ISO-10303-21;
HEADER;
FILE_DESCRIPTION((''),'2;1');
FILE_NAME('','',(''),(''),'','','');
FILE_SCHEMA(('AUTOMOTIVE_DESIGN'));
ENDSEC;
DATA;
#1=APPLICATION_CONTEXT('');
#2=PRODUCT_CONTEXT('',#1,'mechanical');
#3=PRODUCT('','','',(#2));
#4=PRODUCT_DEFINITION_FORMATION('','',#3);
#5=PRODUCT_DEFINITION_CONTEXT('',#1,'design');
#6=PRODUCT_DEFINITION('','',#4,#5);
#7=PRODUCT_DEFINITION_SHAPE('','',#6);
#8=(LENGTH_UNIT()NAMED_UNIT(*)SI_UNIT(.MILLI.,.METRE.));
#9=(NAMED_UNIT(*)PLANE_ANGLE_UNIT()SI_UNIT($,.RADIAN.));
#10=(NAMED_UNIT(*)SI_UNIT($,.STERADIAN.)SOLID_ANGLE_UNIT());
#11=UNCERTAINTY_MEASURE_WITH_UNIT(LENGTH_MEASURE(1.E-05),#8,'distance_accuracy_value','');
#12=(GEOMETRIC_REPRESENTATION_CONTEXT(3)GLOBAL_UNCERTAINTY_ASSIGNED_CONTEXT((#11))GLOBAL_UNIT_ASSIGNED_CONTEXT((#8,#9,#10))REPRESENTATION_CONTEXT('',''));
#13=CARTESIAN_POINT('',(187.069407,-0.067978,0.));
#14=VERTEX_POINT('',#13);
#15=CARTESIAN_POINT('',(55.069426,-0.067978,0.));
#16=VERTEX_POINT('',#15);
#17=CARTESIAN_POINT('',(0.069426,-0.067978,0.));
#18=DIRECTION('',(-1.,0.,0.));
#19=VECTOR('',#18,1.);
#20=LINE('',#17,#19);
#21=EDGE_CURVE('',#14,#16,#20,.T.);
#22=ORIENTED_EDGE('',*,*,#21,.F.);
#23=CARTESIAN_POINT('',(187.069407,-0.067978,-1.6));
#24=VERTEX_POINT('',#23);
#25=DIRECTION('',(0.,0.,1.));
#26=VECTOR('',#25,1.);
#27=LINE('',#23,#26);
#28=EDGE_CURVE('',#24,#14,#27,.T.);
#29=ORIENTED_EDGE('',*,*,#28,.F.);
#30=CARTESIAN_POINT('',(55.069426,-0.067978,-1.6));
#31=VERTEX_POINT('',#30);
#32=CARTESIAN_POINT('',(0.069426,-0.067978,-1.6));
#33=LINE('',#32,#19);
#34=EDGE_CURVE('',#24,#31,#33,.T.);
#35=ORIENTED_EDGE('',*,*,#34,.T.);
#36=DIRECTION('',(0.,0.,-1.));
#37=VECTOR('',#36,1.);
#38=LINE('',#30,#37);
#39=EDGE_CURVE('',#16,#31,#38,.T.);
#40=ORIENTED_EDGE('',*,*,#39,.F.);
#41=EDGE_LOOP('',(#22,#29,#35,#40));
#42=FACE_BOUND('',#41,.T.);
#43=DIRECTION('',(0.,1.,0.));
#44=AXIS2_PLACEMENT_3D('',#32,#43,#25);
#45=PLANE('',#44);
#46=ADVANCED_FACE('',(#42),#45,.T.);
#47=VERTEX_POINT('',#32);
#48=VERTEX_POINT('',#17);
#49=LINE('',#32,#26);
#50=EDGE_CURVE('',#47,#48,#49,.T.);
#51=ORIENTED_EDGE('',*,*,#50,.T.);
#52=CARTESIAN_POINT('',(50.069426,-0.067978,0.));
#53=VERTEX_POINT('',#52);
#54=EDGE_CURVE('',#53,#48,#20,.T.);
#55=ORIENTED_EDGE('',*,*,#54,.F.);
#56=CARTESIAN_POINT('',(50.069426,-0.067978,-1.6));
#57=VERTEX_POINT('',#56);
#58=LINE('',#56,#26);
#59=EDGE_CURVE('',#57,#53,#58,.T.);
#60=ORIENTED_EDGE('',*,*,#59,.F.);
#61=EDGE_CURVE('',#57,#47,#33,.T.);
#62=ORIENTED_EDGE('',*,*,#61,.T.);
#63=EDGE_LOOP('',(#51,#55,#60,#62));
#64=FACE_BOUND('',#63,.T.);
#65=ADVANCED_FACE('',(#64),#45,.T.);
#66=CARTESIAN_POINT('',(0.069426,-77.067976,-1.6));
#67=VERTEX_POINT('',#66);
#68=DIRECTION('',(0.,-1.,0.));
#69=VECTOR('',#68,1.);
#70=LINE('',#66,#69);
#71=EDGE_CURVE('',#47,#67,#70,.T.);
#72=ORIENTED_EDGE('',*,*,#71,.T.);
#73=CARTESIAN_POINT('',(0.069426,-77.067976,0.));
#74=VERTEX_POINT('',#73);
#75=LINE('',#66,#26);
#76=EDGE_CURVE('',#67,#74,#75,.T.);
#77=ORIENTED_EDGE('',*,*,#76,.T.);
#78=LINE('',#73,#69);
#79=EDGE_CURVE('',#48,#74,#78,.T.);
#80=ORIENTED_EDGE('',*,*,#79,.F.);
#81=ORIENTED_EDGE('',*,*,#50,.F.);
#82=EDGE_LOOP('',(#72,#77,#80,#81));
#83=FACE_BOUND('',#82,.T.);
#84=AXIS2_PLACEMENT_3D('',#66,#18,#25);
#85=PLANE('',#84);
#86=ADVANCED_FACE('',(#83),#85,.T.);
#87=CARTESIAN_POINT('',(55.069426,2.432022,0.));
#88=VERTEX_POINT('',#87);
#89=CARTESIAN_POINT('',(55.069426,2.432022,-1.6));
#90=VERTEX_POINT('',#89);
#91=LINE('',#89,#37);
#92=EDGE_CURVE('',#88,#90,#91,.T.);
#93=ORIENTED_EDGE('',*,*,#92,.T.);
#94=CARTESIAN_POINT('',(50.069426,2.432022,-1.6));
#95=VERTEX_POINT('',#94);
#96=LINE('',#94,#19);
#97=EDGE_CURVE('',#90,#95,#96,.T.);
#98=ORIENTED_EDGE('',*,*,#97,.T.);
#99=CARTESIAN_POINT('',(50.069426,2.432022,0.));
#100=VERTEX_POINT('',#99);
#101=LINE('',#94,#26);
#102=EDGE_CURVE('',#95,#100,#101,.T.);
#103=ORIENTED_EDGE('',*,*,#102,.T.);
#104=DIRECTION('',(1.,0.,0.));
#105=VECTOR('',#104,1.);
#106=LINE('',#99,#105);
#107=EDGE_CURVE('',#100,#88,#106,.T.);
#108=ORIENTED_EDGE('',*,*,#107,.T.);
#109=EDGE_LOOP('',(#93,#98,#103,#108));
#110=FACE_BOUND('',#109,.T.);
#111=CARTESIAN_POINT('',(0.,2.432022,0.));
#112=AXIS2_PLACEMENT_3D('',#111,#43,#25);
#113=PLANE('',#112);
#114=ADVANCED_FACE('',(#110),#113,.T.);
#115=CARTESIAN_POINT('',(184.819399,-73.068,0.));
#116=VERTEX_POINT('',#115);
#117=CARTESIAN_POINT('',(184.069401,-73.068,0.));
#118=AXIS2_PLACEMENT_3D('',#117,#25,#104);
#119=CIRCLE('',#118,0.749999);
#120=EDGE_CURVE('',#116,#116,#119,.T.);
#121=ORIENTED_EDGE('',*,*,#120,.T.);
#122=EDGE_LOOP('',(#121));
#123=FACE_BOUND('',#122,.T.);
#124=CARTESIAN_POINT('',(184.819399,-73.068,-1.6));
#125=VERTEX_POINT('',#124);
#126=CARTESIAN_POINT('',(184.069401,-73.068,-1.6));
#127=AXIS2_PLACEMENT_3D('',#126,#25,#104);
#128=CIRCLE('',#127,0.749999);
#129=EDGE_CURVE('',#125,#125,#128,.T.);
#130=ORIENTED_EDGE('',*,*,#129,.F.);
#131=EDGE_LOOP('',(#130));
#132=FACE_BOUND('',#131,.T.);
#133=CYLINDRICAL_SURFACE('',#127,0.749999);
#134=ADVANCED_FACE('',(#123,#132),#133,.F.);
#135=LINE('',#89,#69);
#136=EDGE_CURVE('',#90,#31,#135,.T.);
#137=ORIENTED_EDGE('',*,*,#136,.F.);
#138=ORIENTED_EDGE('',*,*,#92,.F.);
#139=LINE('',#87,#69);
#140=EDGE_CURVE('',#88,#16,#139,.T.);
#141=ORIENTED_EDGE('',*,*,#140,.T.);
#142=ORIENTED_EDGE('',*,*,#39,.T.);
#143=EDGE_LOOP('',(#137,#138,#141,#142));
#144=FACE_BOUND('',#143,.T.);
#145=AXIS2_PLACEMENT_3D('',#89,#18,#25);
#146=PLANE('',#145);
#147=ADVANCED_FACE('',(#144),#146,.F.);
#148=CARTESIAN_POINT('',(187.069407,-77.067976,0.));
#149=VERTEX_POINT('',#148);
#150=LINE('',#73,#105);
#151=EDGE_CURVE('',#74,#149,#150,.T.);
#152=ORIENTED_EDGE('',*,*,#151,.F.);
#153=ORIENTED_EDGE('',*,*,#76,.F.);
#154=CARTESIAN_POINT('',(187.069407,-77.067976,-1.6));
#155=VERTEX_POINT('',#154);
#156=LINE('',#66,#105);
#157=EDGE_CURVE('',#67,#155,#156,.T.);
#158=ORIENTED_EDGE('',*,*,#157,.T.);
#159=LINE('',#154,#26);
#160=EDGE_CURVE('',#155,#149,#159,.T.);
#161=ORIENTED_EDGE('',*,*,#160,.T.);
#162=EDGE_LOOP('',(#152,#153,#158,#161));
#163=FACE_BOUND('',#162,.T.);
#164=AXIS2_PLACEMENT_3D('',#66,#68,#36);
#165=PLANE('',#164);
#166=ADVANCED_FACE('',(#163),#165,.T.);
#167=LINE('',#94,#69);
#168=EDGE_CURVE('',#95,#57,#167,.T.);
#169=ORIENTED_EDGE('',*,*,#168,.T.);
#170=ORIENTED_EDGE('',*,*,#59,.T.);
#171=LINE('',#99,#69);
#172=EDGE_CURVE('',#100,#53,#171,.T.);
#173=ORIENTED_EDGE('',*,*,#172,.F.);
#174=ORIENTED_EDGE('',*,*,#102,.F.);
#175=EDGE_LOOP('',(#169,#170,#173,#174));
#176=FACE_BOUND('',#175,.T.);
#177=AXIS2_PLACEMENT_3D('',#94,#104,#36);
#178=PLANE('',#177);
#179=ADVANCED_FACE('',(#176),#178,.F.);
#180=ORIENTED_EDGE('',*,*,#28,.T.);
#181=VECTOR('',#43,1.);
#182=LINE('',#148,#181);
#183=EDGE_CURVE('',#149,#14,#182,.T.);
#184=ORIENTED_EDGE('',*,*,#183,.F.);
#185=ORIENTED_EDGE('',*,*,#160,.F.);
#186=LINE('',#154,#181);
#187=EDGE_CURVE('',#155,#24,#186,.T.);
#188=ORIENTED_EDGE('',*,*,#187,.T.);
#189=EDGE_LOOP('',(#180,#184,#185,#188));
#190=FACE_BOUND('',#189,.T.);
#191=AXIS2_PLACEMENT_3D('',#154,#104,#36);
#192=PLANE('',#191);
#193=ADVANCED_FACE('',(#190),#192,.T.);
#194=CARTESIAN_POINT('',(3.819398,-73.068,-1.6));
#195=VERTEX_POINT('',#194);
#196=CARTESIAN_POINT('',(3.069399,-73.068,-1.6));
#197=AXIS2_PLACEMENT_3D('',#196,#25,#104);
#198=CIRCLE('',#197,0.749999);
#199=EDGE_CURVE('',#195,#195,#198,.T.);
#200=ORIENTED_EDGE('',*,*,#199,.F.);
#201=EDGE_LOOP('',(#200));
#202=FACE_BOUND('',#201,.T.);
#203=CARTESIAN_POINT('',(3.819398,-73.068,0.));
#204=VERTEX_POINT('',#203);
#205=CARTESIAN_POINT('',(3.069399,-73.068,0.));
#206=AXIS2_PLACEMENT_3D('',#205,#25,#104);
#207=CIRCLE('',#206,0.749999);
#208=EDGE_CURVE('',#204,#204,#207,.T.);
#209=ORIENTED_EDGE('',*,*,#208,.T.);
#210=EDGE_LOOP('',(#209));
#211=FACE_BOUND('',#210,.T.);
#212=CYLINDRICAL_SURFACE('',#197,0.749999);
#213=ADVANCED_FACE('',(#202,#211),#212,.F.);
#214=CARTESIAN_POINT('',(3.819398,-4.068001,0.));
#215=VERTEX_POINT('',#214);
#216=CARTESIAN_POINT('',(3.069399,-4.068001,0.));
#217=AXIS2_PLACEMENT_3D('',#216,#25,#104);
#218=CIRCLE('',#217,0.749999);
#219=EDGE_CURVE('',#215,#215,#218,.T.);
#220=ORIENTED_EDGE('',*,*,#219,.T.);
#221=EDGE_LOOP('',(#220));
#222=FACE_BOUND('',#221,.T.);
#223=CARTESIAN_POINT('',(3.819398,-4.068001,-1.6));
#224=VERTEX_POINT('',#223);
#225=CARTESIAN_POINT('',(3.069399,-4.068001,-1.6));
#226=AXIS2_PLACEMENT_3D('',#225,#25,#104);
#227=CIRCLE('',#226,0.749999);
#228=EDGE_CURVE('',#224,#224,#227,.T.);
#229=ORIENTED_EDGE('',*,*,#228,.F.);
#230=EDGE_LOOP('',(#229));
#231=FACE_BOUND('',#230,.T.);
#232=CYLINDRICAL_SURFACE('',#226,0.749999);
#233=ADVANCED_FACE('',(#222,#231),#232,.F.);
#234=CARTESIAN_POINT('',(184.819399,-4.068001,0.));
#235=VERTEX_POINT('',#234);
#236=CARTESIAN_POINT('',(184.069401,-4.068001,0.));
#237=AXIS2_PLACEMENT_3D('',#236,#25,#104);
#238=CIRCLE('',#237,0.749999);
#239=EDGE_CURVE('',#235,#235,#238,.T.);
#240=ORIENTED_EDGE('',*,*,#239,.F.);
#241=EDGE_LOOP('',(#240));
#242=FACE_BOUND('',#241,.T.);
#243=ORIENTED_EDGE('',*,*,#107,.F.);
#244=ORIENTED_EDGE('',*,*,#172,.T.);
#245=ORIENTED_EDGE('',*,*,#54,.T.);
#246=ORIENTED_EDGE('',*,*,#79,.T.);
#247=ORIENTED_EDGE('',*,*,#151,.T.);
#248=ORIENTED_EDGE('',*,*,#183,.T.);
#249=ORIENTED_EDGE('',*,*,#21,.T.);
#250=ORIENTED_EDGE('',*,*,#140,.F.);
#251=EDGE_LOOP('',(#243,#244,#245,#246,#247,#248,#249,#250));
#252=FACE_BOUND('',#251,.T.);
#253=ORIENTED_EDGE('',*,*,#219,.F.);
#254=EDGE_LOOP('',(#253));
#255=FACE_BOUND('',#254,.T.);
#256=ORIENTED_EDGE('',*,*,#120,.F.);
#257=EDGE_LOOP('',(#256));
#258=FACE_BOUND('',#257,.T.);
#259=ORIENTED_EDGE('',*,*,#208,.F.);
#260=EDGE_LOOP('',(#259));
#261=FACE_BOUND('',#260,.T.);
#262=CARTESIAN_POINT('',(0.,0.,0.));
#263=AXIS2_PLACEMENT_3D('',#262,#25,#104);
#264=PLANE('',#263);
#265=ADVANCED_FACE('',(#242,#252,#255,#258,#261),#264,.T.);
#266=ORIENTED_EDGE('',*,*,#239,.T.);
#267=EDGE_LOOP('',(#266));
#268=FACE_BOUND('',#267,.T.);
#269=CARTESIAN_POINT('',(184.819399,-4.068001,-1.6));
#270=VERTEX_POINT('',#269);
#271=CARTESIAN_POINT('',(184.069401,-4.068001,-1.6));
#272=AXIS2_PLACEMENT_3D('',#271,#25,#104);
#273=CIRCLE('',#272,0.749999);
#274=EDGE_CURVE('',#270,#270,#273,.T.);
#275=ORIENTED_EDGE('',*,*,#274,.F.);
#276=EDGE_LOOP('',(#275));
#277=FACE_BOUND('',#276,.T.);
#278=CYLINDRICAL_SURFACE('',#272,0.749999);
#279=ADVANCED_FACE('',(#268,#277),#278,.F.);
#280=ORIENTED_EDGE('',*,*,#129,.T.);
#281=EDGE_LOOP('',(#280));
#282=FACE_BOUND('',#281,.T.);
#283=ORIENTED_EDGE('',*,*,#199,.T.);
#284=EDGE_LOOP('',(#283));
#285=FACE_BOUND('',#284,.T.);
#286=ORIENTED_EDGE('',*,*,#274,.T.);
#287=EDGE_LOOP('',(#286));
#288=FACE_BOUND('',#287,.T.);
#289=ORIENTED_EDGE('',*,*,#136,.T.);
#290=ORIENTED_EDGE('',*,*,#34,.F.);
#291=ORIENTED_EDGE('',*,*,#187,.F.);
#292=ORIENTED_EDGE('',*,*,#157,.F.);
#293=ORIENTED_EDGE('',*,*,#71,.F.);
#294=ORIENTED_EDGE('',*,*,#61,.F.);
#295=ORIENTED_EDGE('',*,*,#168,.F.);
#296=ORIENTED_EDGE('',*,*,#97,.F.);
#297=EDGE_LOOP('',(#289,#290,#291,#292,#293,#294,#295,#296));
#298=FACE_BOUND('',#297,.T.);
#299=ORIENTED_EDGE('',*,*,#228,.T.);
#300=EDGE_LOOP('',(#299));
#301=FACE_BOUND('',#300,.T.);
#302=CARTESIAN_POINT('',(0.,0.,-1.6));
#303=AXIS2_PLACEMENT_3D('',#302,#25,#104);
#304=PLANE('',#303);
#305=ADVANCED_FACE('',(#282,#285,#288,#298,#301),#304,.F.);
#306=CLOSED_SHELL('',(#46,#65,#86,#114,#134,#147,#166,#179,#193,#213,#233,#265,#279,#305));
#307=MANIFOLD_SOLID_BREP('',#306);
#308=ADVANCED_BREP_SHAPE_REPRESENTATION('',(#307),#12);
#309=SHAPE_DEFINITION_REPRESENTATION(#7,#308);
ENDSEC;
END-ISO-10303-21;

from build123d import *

# Parameters (mm, degrees)
KEEPOUTLAYER_W      = 186.9999816
KEEPOUTLAYER_H      = 76.9999984
EXTRUDE_1_DEPTH     = 1.6
VIAHOLELAYER_R      = 0.7499985
CUT_EXTRUDE_1_DEPTH = 2.6
SKETCH_2_W          = 5
SKETCH_2_H          = 1.6
EXTRUDE_3_DEPTH     = 2.5


with BuildPart() as part:
    # KeepOutLayer → Бобышка-Вытянуть1 (new body)
    with BuildSketch(Plane.XY):
        with Locations((93.56941662, -38.56797722)):
            Rectangle(KEEPOUTLAYER_W, KEEPOUTLAYER_H)
    extrude(amount=-EXTRUDE_1_DEPTH)

    # ViaHoleLayer → Вырез-Вытянуть1 (cut, through all)
    with BuildSketch(Plane.XY):
        with Locations((3.0693995, -73.06799966)):
            Circle(VIAHOLELAYER_R)
        with Locations((3.0693995, -4.0680005)):
            Circle(VIAHOLELAYER_R)
        with Locations((184.06940072, -73.06799966)):
            Circle(VIAHOLELAYER_R)
        with Locations((184.06940072, -4.0680005)):
            Circle(VIAHOLELAYER_R)
    extrude(amount=-CUT_EXTRUDE_1_DEPTH, mode=Mode.SUBTRACT)

    # Эскиз2 → Бобышка-Вытянуть3 (add)
    with BuildSketch(Plane(origin=(0, -0.06797802, 0), x_dir=(1, 0, 0), z_dir=(0, 1, 0))):
        with Locations((52.56942582, 0.8)):
            Rectangle(SKETCH_2_W, SKETCH_2_H)
    extrude(amount=EXTRUDE_3_DEPTH)


solid = part.part
